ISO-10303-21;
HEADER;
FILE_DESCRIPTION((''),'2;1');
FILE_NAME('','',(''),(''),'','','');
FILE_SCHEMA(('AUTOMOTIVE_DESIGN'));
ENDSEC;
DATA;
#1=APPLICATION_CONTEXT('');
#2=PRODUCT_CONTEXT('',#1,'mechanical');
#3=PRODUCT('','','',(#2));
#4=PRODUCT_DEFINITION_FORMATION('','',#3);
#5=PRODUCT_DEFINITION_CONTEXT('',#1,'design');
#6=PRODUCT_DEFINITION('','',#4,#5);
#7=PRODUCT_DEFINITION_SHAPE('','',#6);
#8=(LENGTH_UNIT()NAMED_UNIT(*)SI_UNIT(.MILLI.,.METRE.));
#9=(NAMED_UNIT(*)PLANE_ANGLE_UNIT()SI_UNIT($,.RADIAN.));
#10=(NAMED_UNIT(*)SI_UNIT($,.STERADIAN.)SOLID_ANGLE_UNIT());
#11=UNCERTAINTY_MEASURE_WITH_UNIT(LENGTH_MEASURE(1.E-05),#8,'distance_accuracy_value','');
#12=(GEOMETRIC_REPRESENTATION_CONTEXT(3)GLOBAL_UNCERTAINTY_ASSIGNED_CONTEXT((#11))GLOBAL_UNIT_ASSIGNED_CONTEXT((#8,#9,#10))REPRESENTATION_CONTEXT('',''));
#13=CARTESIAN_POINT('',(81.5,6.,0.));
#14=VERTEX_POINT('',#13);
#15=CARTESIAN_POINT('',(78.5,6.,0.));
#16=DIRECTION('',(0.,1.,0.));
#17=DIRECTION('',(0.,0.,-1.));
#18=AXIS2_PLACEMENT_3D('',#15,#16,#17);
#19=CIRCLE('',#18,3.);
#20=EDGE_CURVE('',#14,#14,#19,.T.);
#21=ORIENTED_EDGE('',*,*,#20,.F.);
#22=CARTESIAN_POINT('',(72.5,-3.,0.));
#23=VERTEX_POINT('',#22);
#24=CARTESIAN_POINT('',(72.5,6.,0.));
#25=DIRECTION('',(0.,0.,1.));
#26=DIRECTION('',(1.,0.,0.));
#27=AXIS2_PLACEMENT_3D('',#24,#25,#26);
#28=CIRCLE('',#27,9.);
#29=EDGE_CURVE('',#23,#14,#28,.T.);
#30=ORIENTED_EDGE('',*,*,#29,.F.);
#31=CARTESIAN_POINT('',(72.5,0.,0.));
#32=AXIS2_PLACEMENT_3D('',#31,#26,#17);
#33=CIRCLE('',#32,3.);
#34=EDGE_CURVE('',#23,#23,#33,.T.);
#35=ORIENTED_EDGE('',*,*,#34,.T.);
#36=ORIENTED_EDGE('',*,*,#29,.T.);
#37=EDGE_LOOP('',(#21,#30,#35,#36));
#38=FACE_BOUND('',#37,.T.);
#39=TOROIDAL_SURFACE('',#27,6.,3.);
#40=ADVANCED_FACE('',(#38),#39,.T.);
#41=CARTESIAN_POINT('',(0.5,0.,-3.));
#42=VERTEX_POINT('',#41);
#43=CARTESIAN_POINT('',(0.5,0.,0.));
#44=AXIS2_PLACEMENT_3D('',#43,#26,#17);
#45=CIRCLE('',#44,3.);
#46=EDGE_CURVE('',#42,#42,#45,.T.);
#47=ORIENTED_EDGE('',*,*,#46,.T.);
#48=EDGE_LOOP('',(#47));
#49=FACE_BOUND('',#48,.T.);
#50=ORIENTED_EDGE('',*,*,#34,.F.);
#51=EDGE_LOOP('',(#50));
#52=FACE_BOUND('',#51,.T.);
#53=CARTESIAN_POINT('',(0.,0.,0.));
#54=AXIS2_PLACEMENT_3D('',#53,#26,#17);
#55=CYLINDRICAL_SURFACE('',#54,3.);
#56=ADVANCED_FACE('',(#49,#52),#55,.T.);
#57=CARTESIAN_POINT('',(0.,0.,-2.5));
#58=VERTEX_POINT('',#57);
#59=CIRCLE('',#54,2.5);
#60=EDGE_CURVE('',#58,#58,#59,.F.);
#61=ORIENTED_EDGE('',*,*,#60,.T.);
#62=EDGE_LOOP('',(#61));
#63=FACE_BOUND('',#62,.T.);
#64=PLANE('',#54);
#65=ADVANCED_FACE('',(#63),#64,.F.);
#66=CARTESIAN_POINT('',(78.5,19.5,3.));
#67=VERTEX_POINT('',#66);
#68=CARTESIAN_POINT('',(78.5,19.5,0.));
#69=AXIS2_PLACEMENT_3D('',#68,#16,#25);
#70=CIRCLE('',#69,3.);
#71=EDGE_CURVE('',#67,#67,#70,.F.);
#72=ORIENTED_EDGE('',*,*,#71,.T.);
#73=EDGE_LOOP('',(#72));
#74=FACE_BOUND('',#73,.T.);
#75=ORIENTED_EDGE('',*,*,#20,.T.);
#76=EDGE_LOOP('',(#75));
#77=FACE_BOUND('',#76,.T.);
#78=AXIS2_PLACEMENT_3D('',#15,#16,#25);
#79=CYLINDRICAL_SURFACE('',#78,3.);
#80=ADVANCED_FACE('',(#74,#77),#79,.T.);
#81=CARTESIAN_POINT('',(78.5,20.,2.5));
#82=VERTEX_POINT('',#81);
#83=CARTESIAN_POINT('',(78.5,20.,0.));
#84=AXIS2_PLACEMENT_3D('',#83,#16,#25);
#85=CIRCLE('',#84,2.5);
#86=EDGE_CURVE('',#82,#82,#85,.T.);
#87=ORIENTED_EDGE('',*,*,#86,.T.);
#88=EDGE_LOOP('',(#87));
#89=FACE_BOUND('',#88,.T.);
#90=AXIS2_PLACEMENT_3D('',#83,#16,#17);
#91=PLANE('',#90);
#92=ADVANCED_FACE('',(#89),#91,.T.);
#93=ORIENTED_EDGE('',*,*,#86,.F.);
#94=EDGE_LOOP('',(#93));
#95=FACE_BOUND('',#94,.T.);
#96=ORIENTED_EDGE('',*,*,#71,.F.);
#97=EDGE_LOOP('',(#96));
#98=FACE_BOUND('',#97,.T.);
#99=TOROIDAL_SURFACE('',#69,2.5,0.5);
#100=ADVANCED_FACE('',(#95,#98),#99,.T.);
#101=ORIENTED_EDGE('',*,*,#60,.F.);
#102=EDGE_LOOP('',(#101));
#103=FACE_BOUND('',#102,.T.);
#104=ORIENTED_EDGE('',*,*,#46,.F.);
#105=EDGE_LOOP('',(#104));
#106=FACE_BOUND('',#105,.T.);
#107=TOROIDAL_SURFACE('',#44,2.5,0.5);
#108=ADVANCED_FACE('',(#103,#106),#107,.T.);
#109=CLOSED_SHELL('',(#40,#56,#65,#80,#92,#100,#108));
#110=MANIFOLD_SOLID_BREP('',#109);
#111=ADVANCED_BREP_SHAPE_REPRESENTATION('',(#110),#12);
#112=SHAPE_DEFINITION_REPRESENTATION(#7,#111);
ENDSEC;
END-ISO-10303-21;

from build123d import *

# Parameters (mm, degrees)
SKETCH_4_R = 3
FILLET_2_R = 0.5


with BuildPart() as part:
    # По траектории2: sweep along a path in Эскиз2
    with BuildLine(Plane.XY) as sweep_2_path:
        Line((0, 0), (72.5, 0))
        ThreePointArc((72.5, 0), (76.742640687, 1.757359313), (78.5, 6))
        Line((78.5, 6), (78.5, 20))
    # Эскиз4 → По траектории2 (sweep)
    with BuildSketch(Plane(origin=(0, 0, 0), x_dir=(0, 0, -1), z_dir=(1, 0, 0))):
        Circle(SKETCH_4_R)
    sweep(path=sweep_2_path.line)

    # Скругление2
    fillet_2_edges = [part.edges().sort_by_distance(p)[0] for p in [
        (78.5, 20, 3),
        (0, 0, 3),
    ]]
    fillet(fillet_2_edges, radius=FILLET_2_R)


solid = part.part
